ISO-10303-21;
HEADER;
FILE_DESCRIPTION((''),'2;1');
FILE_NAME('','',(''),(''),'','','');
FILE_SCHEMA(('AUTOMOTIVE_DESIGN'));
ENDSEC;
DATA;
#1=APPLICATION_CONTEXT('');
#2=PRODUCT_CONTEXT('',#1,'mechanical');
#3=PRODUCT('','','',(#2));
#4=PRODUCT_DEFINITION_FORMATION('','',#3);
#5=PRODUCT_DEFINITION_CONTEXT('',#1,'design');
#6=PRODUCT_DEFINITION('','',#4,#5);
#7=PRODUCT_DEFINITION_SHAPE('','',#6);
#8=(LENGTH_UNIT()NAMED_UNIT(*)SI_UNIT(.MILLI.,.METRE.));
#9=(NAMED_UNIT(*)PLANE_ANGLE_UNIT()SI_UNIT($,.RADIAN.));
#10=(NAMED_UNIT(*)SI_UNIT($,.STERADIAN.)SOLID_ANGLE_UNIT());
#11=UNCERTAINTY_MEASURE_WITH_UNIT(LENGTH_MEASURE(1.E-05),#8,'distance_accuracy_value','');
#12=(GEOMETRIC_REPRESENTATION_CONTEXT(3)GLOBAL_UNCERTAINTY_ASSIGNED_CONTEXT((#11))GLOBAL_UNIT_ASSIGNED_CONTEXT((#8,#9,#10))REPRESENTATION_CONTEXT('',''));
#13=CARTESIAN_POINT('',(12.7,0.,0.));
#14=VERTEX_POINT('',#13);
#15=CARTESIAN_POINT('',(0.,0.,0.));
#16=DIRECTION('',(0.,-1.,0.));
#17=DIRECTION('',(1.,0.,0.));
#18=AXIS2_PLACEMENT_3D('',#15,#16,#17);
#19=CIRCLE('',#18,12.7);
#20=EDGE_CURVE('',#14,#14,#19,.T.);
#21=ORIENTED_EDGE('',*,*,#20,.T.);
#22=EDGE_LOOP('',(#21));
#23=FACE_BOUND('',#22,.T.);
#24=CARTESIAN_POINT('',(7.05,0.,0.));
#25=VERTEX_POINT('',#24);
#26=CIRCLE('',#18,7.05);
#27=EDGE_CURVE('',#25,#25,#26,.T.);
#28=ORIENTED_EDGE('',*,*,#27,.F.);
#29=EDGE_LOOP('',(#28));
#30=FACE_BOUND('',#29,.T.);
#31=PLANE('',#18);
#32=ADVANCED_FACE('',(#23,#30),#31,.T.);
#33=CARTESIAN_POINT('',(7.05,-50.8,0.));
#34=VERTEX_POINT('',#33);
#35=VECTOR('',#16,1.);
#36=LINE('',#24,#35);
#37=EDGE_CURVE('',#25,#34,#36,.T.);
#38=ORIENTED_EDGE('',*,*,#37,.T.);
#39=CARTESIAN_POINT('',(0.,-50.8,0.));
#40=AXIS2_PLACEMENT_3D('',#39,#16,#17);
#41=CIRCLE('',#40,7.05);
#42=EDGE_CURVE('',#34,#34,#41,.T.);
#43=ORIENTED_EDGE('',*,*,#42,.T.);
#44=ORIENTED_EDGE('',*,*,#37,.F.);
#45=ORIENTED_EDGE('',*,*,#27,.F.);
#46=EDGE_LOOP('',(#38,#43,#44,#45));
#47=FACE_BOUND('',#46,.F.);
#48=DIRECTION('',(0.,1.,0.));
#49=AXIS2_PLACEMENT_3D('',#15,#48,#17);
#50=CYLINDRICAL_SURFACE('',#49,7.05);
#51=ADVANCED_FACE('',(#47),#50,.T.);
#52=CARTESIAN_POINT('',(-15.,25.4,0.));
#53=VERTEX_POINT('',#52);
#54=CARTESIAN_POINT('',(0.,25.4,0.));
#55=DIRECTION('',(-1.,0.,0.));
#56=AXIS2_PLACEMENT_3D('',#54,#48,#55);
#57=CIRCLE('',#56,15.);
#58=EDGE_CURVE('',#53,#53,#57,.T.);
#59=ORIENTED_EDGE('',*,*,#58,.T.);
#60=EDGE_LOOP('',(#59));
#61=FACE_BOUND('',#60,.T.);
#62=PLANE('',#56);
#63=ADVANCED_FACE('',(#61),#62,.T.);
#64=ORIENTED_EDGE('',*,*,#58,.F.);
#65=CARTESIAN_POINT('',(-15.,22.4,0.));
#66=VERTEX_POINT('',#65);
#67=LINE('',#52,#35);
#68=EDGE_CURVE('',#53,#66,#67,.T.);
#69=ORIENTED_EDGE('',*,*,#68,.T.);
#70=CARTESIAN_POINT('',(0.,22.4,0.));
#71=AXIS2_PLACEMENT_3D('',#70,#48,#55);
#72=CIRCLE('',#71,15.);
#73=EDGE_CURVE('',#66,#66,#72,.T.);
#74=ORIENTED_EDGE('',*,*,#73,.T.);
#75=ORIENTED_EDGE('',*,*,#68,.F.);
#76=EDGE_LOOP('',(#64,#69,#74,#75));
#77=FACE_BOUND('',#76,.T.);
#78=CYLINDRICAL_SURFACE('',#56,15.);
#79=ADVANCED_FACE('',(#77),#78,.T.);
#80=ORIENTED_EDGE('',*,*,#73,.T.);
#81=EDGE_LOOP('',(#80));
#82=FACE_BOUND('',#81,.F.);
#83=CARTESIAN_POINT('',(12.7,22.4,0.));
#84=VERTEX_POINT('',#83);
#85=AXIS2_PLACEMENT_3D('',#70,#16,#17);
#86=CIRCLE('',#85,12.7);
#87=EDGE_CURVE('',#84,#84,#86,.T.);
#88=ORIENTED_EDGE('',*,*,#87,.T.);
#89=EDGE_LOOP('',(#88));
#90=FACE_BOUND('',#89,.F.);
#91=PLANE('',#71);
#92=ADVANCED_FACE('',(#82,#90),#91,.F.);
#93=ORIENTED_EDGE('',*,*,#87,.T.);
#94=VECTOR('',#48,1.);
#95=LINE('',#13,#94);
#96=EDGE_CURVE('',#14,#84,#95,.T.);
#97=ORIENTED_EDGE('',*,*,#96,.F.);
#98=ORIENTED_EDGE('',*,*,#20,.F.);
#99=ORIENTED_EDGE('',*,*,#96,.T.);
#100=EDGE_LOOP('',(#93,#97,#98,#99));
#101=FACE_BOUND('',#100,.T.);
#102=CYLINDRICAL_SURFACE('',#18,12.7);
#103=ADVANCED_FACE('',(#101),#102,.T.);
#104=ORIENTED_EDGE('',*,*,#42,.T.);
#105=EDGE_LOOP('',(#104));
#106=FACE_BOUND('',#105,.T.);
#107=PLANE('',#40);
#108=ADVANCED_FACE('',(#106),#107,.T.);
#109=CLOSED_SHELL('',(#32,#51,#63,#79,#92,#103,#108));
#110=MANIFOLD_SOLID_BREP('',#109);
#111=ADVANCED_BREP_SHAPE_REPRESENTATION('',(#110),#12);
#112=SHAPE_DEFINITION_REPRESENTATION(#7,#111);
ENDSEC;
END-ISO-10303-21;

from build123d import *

# Parameters (mm, degrees)
F0_R     = 7.05
F1_DEPTH = 50.8
F2_R     = 12.7
F3_DEPTH = 25.4
F4_R     = 15
F5_DEPTH = 3


with BuildPart() as f1:
    # F0 (on Front) → F1 (new body)
    with BuildSketch(Plane.XZ):
        Circle(F0_R)
    extrude(amount=F1_DEPTH)

    # F2 (on Front) → F3 (join)
    with BuildSketch(Plane.XZ):
        Circle(F2_R)
    extrude(amount=-F3_DEPTH)

    # F4 (on face) → F5 (join)
    with BuildSketch(Plane(origin=(0, 25.4, 0), x_dir=(-1, 0, 0), z_dir=(0, 1, 0))):
        Circle(F4_R)
    extrude(amount=-F5_DEPTH)


solid = f1.part
